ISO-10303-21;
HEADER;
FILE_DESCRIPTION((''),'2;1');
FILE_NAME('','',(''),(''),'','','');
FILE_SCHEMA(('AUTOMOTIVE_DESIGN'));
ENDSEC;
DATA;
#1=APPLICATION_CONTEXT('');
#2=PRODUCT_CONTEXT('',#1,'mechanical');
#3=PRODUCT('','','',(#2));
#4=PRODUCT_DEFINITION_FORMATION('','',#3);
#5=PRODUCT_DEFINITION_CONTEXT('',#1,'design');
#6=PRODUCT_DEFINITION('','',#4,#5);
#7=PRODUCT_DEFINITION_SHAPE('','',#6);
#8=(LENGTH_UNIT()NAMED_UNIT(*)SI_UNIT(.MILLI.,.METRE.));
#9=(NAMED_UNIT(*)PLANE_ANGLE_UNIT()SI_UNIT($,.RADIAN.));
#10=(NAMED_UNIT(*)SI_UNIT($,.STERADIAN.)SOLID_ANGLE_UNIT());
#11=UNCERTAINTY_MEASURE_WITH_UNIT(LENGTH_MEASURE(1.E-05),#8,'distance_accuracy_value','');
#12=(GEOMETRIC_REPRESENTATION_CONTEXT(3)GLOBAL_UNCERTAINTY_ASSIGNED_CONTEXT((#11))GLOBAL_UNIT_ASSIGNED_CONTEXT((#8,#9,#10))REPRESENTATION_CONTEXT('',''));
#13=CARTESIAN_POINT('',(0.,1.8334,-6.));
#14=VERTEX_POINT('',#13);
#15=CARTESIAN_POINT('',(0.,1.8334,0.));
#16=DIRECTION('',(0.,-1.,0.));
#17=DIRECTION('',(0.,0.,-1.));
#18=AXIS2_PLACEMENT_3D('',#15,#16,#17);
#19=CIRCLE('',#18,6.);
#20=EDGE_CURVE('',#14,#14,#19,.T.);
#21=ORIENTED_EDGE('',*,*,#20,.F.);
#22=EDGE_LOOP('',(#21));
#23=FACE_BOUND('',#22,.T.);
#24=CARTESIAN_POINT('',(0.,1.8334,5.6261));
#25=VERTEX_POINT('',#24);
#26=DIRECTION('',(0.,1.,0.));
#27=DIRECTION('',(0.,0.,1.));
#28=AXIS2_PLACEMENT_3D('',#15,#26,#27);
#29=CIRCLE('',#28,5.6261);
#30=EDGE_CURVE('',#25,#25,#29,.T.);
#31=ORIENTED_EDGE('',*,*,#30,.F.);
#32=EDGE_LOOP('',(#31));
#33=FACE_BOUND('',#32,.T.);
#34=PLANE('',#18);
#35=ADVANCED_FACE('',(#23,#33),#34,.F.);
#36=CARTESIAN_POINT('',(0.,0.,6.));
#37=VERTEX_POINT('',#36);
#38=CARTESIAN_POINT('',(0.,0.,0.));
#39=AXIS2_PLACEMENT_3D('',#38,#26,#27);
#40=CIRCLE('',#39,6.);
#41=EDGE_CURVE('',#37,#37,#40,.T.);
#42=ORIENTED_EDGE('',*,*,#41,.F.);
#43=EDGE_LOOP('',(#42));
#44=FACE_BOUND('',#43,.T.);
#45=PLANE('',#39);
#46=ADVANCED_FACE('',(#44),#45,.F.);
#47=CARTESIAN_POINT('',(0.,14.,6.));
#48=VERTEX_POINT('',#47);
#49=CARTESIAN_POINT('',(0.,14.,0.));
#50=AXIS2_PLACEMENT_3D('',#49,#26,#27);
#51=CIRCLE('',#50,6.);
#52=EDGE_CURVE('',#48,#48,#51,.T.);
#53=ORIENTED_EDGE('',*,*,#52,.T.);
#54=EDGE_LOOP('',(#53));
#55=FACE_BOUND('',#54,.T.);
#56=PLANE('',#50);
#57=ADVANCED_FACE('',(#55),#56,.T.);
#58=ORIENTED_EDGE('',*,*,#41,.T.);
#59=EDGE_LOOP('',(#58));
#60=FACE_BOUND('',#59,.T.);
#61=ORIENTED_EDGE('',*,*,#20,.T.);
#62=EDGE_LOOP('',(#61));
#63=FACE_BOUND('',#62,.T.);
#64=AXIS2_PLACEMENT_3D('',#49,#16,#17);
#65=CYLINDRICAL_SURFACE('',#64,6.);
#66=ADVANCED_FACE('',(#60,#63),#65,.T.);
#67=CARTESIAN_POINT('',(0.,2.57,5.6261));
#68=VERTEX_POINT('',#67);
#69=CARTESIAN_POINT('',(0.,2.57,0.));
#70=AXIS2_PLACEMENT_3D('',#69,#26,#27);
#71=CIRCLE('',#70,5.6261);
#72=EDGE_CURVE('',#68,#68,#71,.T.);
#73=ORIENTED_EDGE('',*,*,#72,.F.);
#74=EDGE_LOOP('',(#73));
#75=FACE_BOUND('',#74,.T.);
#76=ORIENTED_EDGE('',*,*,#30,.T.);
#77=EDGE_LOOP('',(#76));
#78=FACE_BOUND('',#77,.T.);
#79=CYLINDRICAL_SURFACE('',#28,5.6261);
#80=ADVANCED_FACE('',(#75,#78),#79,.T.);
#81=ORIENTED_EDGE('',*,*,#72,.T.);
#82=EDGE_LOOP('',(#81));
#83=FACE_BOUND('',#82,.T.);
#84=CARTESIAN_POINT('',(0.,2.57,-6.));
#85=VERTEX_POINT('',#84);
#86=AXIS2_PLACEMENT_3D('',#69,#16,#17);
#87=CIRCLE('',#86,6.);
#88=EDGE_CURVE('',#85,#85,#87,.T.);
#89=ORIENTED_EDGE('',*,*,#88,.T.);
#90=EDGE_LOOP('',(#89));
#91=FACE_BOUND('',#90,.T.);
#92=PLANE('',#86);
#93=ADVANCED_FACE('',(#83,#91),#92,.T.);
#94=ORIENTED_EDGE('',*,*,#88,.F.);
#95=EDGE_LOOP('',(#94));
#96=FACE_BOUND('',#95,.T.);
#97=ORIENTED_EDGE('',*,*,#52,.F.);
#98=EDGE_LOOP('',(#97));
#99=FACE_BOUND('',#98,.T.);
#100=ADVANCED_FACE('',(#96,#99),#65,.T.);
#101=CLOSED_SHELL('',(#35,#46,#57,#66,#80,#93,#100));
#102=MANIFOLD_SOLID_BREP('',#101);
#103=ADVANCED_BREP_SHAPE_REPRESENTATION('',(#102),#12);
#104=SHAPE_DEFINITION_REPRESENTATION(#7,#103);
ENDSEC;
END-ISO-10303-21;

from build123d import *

# Parameters (mm, degrees)
SKETCH1_R           = 6
BOSS_EXTRUDE1_DEPTH = 14
SKETCH2_R           = 5.6261
CUT_EXTRUDE1_DEPTH  = 0.7366


with BuildPart() as part:
    # Sketch1 → Boss-Extrude1 (new body)
    with BuildSketch(Plane(origin=(0, 0, 0), x_dir=(1, 0, 0), z_dir=(0, 1, 0))):
        Circle(SKETCH1_R)
    extrude(amount=BOSS_EXTRUDE1_DEPTH)

    # Sketch2 → Cut-Extrude1 (cut)
    with BuildSketch(Plane(origin=(0, 2.57, 0), x_dir=(1, 0, 0), z_dir=(0, 1, 0))):
        Polygon((-7.915464339, 6.772300258), (-7.748596028, -7.998854616), (10.395730316, -7.998854616), (9.153265383, 7.840750397), align=None)
        Circle(SKETCH2_R, mode=Mode.SUBTRACT)
    extrude(amount=-CUT_EXTRUDE1_DEPTH, mode=Mode.SUBTRACT)


solid = part.part
